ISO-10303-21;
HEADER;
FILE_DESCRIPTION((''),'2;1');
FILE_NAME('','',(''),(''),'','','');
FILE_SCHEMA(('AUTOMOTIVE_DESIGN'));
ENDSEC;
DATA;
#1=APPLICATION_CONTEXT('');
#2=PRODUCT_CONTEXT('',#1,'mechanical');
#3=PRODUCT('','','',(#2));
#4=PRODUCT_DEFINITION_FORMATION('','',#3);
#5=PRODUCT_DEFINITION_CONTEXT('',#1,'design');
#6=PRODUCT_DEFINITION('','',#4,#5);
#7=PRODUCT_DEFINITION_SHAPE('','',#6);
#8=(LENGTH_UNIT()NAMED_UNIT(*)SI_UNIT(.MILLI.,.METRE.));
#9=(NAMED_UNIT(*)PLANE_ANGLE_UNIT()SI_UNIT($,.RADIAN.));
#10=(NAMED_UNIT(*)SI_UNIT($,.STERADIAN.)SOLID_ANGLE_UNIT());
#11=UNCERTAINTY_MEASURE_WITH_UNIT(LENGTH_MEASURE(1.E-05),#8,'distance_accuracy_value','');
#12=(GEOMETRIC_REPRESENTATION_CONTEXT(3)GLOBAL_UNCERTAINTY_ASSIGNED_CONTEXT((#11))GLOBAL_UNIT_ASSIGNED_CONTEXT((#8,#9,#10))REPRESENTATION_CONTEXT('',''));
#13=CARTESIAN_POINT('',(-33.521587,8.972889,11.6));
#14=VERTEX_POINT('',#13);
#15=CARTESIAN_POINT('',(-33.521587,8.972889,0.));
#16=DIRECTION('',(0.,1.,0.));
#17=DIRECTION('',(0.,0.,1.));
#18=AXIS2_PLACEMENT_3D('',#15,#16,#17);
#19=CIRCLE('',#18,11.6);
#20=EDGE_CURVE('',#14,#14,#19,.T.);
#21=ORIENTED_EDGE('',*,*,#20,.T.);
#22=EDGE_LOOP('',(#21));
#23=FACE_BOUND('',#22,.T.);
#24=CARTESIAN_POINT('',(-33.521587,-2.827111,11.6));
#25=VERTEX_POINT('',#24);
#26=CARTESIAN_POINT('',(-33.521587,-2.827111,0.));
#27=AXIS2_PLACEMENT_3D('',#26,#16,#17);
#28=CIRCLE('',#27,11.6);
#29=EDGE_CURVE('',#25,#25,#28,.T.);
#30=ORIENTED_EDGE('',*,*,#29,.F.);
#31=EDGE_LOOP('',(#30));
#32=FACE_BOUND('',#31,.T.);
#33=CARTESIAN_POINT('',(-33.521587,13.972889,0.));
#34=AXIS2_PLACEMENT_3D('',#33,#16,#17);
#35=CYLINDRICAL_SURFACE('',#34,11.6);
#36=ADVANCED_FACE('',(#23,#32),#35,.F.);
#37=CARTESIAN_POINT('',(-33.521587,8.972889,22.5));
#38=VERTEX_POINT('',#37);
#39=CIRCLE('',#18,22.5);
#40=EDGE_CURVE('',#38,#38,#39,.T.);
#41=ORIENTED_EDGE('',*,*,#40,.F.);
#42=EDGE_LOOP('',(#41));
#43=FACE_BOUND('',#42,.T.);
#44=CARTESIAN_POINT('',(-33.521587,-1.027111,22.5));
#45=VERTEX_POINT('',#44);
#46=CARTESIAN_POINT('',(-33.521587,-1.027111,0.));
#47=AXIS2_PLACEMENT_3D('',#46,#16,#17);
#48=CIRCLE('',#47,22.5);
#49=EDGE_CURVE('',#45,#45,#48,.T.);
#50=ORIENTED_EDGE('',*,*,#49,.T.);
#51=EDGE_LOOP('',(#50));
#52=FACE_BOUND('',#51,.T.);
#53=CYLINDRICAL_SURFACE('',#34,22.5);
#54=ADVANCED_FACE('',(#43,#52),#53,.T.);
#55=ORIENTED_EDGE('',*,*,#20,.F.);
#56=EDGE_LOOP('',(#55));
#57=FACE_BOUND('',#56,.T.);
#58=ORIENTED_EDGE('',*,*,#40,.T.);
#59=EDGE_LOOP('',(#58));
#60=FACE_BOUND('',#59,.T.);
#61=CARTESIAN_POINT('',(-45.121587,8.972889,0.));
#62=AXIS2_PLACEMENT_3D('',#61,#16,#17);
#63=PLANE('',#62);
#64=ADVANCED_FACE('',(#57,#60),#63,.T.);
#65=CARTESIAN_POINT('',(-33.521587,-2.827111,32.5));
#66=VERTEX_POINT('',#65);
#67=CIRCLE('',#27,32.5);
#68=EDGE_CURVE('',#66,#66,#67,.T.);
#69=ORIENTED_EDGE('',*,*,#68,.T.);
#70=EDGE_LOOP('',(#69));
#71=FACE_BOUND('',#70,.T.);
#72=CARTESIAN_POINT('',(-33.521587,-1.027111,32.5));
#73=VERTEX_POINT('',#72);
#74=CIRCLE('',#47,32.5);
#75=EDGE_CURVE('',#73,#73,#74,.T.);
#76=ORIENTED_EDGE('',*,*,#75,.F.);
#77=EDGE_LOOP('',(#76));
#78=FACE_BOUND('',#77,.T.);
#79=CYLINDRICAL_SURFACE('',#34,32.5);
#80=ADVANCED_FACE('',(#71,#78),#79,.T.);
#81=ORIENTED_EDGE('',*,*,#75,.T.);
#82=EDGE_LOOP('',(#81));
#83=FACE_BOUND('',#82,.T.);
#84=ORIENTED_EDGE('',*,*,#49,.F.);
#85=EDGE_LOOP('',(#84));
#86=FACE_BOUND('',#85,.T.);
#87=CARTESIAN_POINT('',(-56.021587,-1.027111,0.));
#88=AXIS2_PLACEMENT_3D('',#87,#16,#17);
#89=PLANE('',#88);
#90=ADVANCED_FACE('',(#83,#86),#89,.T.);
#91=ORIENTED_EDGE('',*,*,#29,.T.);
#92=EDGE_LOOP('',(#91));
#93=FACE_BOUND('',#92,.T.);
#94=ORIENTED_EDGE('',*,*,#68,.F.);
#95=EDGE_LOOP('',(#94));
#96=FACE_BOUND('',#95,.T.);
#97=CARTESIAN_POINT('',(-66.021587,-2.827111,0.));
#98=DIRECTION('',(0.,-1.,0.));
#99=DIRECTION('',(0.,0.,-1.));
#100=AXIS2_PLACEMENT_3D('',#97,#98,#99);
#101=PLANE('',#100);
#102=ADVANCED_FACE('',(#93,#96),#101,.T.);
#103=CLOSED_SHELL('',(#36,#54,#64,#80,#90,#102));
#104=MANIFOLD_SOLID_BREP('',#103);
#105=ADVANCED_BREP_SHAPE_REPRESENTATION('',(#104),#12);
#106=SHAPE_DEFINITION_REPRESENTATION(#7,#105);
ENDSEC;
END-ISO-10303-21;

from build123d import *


with BuildPart() as part:
    # Croquis1 → Revolución1 (revolve)
    with BuildSketch(Plane.XY):
        Polygon((-45.12158728, 8.972889318), (-45.12158728, -2.827110682), (-66.02158728, -2.827110682), (-66.02158728, -1.027110682), (-56.02158728, -1.027110682), (-56.02158728, 8.972889318), align=None)
    revolve(axis=Axis((-33.52158728, 13.972889318, 0), (0, -1, 0)))


solid = part.part
